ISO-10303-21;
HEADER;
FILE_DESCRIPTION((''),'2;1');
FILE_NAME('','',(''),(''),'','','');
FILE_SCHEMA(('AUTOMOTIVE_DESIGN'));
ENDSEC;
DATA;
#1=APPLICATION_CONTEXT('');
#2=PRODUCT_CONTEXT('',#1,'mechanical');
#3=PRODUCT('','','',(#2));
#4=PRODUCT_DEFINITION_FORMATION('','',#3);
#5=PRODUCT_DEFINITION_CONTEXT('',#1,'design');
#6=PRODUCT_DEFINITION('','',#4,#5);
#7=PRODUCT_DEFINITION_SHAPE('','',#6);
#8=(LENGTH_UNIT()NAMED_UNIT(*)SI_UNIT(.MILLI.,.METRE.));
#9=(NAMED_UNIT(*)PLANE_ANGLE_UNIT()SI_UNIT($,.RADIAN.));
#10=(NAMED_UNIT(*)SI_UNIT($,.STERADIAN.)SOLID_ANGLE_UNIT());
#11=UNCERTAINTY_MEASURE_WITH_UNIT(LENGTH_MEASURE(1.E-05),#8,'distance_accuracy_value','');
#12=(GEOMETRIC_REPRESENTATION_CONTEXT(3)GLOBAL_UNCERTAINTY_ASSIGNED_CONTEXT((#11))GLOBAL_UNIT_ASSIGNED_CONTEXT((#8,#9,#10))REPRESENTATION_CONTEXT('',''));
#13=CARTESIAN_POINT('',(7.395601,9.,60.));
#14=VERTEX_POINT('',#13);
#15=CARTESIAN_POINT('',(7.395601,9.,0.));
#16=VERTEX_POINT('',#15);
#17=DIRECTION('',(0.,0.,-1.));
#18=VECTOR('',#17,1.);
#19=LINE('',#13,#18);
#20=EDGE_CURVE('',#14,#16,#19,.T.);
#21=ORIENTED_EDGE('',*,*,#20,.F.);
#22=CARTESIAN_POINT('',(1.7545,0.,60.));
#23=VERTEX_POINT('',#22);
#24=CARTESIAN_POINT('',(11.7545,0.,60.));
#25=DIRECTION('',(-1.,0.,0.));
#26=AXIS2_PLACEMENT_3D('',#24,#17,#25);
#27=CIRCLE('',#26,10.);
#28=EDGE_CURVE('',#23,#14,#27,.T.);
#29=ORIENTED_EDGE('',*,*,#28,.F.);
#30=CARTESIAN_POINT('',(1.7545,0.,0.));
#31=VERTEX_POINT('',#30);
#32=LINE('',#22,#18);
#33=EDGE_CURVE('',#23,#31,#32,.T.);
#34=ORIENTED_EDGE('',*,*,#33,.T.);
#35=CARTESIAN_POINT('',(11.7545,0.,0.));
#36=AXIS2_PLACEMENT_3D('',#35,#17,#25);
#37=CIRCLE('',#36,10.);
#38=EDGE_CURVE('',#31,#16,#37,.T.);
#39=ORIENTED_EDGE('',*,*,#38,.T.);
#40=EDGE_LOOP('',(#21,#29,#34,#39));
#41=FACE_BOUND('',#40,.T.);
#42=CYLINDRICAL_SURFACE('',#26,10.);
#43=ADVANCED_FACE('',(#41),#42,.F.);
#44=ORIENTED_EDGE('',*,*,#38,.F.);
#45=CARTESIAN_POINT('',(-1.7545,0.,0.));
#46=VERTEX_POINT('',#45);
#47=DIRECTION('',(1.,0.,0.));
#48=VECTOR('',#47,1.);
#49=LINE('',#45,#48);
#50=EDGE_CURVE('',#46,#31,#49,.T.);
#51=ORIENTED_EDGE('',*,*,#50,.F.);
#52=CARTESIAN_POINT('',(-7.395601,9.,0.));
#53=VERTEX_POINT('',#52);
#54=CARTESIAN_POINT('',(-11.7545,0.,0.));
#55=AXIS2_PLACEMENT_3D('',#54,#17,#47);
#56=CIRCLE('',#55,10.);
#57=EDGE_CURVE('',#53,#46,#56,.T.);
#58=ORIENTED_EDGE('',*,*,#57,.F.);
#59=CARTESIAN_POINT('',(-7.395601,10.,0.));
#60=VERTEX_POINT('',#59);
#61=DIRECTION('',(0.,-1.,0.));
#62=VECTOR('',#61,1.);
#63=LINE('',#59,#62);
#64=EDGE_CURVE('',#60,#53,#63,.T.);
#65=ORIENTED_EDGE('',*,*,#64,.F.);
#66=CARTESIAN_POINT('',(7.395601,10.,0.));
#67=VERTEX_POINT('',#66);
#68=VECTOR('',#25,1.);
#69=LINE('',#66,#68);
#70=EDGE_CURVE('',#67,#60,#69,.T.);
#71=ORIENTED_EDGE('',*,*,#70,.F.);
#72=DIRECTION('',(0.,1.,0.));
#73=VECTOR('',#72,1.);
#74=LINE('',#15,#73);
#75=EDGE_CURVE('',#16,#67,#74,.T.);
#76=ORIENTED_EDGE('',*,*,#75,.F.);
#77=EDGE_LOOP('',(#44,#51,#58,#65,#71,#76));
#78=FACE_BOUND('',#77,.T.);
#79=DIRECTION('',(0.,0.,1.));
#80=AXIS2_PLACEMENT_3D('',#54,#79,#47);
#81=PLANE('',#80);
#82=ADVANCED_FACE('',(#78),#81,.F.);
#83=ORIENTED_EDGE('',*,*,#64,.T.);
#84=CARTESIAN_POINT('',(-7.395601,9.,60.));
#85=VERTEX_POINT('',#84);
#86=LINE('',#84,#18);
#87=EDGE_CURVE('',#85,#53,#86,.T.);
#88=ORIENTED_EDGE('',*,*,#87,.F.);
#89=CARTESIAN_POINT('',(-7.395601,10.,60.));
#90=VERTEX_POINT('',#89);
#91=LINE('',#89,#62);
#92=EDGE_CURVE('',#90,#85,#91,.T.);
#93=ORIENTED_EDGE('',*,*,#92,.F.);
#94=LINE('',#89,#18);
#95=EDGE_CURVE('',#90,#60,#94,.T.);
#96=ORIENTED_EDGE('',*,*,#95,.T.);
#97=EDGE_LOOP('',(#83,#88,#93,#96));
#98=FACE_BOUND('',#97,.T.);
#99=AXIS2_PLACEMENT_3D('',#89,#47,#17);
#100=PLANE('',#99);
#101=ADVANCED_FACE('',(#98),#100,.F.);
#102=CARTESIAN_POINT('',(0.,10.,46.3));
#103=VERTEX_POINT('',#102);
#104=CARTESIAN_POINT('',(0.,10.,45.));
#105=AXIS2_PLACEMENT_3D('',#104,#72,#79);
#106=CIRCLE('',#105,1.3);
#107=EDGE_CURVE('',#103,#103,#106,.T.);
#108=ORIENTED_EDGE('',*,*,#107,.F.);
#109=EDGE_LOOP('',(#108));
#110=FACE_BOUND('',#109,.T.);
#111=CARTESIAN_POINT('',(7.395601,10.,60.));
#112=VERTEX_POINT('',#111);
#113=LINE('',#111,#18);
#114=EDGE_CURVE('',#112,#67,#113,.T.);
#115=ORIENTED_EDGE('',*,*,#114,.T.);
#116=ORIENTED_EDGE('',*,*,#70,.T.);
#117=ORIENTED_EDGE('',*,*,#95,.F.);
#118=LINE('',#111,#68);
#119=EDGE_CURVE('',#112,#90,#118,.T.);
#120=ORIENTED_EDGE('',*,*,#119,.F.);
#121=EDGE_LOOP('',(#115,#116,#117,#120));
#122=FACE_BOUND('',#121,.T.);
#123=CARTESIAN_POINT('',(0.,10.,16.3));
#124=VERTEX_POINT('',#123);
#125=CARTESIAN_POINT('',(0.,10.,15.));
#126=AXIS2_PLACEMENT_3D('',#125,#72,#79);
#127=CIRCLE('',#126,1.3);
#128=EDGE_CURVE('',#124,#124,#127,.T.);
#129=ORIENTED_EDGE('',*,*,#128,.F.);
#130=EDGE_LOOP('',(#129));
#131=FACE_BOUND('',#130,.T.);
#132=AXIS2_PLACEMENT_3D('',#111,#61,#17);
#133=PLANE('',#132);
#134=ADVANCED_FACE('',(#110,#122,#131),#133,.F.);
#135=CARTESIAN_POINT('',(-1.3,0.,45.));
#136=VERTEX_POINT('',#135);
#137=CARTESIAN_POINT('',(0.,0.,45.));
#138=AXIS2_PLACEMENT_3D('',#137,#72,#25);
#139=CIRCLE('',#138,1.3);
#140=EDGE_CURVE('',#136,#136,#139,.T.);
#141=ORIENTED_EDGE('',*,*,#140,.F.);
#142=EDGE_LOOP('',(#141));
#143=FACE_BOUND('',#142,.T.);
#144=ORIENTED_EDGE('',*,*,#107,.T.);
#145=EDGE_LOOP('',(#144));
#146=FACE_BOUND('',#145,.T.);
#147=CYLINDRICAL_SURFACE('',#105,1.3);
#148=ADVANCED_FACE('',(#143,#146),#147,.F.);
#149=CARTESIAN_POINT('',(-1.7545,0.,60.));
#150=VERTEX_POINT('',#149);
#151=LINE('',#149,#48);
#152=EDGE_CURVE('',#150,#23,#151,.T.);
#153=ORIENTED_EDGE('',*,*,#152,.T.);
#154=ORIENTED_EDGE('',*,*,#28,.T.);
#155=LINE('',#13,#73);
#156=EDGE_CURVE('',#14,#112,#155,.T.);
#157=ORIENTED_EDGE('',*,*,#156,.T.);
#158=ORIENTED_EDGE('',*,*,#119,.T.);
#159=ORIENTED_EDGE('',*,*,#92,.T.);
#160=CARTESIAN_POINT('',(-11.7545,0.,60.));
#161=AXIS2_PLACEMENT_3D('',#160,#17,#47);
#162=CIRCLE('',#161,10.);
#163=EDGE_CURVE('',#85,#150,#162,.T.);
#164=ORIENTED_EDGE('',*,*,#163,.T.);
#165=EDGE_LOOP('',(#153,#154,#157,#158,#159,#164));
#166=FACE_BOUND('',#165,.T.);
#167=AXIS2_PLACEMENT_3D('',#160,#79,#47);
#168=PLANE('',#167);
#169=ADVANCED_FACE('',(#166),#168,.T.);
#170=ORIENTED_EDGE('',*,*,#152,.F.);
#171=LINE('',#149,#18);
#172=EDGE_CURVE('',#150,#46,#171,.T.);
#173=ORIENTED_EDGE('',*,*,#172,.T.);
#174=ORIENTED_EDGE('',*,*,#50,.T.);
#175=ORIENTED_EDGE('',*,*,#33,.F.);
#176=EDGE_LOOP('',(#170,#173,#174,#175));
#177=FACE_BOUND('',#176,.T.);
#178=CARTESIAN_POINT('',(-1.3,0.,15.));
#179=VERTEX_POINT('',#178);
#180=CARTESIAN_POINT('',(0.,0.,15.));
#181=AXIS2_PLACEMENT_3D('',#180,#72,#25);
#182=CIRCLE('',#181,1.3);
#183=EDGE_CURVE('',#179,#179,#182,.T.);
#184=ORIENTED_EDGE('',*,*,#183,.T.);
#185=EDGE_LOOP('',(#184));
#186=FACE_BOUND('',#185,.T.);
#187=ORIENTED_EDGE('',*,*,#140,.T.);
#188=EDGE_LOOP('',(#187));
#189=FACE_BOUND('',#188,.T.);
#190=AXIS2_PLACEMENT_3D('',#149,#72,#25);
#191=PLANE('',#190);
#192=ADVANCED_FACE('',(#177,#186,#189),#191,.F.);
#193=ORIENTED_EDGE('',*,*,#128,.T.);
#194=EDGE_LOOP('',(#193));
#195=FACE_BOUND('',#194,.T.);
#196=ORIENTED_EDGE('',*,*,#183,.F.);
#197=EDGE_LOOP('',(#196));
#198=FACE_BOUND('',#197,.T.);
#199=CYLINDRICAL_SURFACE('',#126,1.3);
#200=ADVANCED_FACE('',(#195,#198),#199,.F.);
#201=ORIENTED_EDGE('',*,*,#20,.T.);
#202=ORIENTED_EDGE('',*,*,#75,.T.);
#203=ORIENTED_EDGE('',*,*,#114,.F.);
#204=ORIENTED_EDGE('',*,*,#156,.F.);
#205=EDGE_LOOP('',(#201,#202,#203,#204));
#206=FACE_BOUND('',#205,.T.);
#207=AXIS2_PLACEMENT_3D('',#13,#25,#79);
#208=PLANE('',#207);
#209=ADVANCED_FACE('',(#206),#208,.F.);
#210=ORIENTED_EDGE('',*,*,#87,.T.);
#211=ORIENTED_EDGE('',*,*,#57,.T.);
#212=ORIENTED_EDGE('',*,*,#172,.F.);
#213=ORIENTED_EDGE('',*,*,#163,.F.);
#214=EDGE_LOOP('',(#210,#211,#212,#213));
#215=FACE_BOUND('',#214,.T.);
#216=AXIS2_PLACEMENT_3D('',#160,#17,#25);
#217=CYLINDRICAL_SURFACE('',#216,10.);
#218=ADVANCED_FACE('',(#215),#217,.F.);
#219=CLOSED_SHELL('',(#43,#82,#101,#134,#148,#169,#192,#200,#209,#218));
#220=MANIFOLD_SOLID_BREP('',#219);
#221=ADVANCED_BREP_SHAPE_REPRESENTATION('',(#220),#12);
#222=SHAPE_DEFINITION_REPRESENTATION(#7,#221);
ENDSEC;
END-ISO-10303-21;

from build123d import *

# Parameters (mm, degrees)
BOSS_EXTRUDE1_DEPTH        = 60
F_2_6_2_6_DIAMETER_HOLE1_D = 2.6


with BuildPart() as part:
    # Sketch1 → Boss-Extrude1 (new body)
    with BuildSketch(Plane.XY):
        with BuildLine():
            Line((-1.7545, 0), (1.7545, 0))
            ThreePointArc((1.7545, 0), (3.281336794, 5.310885546), (7.395601056, 9))
            Line((7.395601056, 9), (7.395601056, 10))
            Line((7.395601056, 10), (-7.395601056, 10))
            Line((-7.395601056, 10), (-7.395601056, 9))
            ThreePointArc((-7.395601056, 9), (-3.281336794, 5.310885546), (-1.7545, 0))
        make_face()
    extrude(amount=BOSS_EXTRUDE1_DEPTH)

    # Ø2.6 (2.6) Diameter Hole1 (through all)
    with Locations(Plane(origin=(0, 10, 45), x_dir=(0, 0, 1), z_dir=(0, 1, 0))):
        with Locations((0, 0), (-30, 0)):
            Hole(F_2_6_2_6_DIAMETER_HOLE1_D / 2)


solid = part.part
